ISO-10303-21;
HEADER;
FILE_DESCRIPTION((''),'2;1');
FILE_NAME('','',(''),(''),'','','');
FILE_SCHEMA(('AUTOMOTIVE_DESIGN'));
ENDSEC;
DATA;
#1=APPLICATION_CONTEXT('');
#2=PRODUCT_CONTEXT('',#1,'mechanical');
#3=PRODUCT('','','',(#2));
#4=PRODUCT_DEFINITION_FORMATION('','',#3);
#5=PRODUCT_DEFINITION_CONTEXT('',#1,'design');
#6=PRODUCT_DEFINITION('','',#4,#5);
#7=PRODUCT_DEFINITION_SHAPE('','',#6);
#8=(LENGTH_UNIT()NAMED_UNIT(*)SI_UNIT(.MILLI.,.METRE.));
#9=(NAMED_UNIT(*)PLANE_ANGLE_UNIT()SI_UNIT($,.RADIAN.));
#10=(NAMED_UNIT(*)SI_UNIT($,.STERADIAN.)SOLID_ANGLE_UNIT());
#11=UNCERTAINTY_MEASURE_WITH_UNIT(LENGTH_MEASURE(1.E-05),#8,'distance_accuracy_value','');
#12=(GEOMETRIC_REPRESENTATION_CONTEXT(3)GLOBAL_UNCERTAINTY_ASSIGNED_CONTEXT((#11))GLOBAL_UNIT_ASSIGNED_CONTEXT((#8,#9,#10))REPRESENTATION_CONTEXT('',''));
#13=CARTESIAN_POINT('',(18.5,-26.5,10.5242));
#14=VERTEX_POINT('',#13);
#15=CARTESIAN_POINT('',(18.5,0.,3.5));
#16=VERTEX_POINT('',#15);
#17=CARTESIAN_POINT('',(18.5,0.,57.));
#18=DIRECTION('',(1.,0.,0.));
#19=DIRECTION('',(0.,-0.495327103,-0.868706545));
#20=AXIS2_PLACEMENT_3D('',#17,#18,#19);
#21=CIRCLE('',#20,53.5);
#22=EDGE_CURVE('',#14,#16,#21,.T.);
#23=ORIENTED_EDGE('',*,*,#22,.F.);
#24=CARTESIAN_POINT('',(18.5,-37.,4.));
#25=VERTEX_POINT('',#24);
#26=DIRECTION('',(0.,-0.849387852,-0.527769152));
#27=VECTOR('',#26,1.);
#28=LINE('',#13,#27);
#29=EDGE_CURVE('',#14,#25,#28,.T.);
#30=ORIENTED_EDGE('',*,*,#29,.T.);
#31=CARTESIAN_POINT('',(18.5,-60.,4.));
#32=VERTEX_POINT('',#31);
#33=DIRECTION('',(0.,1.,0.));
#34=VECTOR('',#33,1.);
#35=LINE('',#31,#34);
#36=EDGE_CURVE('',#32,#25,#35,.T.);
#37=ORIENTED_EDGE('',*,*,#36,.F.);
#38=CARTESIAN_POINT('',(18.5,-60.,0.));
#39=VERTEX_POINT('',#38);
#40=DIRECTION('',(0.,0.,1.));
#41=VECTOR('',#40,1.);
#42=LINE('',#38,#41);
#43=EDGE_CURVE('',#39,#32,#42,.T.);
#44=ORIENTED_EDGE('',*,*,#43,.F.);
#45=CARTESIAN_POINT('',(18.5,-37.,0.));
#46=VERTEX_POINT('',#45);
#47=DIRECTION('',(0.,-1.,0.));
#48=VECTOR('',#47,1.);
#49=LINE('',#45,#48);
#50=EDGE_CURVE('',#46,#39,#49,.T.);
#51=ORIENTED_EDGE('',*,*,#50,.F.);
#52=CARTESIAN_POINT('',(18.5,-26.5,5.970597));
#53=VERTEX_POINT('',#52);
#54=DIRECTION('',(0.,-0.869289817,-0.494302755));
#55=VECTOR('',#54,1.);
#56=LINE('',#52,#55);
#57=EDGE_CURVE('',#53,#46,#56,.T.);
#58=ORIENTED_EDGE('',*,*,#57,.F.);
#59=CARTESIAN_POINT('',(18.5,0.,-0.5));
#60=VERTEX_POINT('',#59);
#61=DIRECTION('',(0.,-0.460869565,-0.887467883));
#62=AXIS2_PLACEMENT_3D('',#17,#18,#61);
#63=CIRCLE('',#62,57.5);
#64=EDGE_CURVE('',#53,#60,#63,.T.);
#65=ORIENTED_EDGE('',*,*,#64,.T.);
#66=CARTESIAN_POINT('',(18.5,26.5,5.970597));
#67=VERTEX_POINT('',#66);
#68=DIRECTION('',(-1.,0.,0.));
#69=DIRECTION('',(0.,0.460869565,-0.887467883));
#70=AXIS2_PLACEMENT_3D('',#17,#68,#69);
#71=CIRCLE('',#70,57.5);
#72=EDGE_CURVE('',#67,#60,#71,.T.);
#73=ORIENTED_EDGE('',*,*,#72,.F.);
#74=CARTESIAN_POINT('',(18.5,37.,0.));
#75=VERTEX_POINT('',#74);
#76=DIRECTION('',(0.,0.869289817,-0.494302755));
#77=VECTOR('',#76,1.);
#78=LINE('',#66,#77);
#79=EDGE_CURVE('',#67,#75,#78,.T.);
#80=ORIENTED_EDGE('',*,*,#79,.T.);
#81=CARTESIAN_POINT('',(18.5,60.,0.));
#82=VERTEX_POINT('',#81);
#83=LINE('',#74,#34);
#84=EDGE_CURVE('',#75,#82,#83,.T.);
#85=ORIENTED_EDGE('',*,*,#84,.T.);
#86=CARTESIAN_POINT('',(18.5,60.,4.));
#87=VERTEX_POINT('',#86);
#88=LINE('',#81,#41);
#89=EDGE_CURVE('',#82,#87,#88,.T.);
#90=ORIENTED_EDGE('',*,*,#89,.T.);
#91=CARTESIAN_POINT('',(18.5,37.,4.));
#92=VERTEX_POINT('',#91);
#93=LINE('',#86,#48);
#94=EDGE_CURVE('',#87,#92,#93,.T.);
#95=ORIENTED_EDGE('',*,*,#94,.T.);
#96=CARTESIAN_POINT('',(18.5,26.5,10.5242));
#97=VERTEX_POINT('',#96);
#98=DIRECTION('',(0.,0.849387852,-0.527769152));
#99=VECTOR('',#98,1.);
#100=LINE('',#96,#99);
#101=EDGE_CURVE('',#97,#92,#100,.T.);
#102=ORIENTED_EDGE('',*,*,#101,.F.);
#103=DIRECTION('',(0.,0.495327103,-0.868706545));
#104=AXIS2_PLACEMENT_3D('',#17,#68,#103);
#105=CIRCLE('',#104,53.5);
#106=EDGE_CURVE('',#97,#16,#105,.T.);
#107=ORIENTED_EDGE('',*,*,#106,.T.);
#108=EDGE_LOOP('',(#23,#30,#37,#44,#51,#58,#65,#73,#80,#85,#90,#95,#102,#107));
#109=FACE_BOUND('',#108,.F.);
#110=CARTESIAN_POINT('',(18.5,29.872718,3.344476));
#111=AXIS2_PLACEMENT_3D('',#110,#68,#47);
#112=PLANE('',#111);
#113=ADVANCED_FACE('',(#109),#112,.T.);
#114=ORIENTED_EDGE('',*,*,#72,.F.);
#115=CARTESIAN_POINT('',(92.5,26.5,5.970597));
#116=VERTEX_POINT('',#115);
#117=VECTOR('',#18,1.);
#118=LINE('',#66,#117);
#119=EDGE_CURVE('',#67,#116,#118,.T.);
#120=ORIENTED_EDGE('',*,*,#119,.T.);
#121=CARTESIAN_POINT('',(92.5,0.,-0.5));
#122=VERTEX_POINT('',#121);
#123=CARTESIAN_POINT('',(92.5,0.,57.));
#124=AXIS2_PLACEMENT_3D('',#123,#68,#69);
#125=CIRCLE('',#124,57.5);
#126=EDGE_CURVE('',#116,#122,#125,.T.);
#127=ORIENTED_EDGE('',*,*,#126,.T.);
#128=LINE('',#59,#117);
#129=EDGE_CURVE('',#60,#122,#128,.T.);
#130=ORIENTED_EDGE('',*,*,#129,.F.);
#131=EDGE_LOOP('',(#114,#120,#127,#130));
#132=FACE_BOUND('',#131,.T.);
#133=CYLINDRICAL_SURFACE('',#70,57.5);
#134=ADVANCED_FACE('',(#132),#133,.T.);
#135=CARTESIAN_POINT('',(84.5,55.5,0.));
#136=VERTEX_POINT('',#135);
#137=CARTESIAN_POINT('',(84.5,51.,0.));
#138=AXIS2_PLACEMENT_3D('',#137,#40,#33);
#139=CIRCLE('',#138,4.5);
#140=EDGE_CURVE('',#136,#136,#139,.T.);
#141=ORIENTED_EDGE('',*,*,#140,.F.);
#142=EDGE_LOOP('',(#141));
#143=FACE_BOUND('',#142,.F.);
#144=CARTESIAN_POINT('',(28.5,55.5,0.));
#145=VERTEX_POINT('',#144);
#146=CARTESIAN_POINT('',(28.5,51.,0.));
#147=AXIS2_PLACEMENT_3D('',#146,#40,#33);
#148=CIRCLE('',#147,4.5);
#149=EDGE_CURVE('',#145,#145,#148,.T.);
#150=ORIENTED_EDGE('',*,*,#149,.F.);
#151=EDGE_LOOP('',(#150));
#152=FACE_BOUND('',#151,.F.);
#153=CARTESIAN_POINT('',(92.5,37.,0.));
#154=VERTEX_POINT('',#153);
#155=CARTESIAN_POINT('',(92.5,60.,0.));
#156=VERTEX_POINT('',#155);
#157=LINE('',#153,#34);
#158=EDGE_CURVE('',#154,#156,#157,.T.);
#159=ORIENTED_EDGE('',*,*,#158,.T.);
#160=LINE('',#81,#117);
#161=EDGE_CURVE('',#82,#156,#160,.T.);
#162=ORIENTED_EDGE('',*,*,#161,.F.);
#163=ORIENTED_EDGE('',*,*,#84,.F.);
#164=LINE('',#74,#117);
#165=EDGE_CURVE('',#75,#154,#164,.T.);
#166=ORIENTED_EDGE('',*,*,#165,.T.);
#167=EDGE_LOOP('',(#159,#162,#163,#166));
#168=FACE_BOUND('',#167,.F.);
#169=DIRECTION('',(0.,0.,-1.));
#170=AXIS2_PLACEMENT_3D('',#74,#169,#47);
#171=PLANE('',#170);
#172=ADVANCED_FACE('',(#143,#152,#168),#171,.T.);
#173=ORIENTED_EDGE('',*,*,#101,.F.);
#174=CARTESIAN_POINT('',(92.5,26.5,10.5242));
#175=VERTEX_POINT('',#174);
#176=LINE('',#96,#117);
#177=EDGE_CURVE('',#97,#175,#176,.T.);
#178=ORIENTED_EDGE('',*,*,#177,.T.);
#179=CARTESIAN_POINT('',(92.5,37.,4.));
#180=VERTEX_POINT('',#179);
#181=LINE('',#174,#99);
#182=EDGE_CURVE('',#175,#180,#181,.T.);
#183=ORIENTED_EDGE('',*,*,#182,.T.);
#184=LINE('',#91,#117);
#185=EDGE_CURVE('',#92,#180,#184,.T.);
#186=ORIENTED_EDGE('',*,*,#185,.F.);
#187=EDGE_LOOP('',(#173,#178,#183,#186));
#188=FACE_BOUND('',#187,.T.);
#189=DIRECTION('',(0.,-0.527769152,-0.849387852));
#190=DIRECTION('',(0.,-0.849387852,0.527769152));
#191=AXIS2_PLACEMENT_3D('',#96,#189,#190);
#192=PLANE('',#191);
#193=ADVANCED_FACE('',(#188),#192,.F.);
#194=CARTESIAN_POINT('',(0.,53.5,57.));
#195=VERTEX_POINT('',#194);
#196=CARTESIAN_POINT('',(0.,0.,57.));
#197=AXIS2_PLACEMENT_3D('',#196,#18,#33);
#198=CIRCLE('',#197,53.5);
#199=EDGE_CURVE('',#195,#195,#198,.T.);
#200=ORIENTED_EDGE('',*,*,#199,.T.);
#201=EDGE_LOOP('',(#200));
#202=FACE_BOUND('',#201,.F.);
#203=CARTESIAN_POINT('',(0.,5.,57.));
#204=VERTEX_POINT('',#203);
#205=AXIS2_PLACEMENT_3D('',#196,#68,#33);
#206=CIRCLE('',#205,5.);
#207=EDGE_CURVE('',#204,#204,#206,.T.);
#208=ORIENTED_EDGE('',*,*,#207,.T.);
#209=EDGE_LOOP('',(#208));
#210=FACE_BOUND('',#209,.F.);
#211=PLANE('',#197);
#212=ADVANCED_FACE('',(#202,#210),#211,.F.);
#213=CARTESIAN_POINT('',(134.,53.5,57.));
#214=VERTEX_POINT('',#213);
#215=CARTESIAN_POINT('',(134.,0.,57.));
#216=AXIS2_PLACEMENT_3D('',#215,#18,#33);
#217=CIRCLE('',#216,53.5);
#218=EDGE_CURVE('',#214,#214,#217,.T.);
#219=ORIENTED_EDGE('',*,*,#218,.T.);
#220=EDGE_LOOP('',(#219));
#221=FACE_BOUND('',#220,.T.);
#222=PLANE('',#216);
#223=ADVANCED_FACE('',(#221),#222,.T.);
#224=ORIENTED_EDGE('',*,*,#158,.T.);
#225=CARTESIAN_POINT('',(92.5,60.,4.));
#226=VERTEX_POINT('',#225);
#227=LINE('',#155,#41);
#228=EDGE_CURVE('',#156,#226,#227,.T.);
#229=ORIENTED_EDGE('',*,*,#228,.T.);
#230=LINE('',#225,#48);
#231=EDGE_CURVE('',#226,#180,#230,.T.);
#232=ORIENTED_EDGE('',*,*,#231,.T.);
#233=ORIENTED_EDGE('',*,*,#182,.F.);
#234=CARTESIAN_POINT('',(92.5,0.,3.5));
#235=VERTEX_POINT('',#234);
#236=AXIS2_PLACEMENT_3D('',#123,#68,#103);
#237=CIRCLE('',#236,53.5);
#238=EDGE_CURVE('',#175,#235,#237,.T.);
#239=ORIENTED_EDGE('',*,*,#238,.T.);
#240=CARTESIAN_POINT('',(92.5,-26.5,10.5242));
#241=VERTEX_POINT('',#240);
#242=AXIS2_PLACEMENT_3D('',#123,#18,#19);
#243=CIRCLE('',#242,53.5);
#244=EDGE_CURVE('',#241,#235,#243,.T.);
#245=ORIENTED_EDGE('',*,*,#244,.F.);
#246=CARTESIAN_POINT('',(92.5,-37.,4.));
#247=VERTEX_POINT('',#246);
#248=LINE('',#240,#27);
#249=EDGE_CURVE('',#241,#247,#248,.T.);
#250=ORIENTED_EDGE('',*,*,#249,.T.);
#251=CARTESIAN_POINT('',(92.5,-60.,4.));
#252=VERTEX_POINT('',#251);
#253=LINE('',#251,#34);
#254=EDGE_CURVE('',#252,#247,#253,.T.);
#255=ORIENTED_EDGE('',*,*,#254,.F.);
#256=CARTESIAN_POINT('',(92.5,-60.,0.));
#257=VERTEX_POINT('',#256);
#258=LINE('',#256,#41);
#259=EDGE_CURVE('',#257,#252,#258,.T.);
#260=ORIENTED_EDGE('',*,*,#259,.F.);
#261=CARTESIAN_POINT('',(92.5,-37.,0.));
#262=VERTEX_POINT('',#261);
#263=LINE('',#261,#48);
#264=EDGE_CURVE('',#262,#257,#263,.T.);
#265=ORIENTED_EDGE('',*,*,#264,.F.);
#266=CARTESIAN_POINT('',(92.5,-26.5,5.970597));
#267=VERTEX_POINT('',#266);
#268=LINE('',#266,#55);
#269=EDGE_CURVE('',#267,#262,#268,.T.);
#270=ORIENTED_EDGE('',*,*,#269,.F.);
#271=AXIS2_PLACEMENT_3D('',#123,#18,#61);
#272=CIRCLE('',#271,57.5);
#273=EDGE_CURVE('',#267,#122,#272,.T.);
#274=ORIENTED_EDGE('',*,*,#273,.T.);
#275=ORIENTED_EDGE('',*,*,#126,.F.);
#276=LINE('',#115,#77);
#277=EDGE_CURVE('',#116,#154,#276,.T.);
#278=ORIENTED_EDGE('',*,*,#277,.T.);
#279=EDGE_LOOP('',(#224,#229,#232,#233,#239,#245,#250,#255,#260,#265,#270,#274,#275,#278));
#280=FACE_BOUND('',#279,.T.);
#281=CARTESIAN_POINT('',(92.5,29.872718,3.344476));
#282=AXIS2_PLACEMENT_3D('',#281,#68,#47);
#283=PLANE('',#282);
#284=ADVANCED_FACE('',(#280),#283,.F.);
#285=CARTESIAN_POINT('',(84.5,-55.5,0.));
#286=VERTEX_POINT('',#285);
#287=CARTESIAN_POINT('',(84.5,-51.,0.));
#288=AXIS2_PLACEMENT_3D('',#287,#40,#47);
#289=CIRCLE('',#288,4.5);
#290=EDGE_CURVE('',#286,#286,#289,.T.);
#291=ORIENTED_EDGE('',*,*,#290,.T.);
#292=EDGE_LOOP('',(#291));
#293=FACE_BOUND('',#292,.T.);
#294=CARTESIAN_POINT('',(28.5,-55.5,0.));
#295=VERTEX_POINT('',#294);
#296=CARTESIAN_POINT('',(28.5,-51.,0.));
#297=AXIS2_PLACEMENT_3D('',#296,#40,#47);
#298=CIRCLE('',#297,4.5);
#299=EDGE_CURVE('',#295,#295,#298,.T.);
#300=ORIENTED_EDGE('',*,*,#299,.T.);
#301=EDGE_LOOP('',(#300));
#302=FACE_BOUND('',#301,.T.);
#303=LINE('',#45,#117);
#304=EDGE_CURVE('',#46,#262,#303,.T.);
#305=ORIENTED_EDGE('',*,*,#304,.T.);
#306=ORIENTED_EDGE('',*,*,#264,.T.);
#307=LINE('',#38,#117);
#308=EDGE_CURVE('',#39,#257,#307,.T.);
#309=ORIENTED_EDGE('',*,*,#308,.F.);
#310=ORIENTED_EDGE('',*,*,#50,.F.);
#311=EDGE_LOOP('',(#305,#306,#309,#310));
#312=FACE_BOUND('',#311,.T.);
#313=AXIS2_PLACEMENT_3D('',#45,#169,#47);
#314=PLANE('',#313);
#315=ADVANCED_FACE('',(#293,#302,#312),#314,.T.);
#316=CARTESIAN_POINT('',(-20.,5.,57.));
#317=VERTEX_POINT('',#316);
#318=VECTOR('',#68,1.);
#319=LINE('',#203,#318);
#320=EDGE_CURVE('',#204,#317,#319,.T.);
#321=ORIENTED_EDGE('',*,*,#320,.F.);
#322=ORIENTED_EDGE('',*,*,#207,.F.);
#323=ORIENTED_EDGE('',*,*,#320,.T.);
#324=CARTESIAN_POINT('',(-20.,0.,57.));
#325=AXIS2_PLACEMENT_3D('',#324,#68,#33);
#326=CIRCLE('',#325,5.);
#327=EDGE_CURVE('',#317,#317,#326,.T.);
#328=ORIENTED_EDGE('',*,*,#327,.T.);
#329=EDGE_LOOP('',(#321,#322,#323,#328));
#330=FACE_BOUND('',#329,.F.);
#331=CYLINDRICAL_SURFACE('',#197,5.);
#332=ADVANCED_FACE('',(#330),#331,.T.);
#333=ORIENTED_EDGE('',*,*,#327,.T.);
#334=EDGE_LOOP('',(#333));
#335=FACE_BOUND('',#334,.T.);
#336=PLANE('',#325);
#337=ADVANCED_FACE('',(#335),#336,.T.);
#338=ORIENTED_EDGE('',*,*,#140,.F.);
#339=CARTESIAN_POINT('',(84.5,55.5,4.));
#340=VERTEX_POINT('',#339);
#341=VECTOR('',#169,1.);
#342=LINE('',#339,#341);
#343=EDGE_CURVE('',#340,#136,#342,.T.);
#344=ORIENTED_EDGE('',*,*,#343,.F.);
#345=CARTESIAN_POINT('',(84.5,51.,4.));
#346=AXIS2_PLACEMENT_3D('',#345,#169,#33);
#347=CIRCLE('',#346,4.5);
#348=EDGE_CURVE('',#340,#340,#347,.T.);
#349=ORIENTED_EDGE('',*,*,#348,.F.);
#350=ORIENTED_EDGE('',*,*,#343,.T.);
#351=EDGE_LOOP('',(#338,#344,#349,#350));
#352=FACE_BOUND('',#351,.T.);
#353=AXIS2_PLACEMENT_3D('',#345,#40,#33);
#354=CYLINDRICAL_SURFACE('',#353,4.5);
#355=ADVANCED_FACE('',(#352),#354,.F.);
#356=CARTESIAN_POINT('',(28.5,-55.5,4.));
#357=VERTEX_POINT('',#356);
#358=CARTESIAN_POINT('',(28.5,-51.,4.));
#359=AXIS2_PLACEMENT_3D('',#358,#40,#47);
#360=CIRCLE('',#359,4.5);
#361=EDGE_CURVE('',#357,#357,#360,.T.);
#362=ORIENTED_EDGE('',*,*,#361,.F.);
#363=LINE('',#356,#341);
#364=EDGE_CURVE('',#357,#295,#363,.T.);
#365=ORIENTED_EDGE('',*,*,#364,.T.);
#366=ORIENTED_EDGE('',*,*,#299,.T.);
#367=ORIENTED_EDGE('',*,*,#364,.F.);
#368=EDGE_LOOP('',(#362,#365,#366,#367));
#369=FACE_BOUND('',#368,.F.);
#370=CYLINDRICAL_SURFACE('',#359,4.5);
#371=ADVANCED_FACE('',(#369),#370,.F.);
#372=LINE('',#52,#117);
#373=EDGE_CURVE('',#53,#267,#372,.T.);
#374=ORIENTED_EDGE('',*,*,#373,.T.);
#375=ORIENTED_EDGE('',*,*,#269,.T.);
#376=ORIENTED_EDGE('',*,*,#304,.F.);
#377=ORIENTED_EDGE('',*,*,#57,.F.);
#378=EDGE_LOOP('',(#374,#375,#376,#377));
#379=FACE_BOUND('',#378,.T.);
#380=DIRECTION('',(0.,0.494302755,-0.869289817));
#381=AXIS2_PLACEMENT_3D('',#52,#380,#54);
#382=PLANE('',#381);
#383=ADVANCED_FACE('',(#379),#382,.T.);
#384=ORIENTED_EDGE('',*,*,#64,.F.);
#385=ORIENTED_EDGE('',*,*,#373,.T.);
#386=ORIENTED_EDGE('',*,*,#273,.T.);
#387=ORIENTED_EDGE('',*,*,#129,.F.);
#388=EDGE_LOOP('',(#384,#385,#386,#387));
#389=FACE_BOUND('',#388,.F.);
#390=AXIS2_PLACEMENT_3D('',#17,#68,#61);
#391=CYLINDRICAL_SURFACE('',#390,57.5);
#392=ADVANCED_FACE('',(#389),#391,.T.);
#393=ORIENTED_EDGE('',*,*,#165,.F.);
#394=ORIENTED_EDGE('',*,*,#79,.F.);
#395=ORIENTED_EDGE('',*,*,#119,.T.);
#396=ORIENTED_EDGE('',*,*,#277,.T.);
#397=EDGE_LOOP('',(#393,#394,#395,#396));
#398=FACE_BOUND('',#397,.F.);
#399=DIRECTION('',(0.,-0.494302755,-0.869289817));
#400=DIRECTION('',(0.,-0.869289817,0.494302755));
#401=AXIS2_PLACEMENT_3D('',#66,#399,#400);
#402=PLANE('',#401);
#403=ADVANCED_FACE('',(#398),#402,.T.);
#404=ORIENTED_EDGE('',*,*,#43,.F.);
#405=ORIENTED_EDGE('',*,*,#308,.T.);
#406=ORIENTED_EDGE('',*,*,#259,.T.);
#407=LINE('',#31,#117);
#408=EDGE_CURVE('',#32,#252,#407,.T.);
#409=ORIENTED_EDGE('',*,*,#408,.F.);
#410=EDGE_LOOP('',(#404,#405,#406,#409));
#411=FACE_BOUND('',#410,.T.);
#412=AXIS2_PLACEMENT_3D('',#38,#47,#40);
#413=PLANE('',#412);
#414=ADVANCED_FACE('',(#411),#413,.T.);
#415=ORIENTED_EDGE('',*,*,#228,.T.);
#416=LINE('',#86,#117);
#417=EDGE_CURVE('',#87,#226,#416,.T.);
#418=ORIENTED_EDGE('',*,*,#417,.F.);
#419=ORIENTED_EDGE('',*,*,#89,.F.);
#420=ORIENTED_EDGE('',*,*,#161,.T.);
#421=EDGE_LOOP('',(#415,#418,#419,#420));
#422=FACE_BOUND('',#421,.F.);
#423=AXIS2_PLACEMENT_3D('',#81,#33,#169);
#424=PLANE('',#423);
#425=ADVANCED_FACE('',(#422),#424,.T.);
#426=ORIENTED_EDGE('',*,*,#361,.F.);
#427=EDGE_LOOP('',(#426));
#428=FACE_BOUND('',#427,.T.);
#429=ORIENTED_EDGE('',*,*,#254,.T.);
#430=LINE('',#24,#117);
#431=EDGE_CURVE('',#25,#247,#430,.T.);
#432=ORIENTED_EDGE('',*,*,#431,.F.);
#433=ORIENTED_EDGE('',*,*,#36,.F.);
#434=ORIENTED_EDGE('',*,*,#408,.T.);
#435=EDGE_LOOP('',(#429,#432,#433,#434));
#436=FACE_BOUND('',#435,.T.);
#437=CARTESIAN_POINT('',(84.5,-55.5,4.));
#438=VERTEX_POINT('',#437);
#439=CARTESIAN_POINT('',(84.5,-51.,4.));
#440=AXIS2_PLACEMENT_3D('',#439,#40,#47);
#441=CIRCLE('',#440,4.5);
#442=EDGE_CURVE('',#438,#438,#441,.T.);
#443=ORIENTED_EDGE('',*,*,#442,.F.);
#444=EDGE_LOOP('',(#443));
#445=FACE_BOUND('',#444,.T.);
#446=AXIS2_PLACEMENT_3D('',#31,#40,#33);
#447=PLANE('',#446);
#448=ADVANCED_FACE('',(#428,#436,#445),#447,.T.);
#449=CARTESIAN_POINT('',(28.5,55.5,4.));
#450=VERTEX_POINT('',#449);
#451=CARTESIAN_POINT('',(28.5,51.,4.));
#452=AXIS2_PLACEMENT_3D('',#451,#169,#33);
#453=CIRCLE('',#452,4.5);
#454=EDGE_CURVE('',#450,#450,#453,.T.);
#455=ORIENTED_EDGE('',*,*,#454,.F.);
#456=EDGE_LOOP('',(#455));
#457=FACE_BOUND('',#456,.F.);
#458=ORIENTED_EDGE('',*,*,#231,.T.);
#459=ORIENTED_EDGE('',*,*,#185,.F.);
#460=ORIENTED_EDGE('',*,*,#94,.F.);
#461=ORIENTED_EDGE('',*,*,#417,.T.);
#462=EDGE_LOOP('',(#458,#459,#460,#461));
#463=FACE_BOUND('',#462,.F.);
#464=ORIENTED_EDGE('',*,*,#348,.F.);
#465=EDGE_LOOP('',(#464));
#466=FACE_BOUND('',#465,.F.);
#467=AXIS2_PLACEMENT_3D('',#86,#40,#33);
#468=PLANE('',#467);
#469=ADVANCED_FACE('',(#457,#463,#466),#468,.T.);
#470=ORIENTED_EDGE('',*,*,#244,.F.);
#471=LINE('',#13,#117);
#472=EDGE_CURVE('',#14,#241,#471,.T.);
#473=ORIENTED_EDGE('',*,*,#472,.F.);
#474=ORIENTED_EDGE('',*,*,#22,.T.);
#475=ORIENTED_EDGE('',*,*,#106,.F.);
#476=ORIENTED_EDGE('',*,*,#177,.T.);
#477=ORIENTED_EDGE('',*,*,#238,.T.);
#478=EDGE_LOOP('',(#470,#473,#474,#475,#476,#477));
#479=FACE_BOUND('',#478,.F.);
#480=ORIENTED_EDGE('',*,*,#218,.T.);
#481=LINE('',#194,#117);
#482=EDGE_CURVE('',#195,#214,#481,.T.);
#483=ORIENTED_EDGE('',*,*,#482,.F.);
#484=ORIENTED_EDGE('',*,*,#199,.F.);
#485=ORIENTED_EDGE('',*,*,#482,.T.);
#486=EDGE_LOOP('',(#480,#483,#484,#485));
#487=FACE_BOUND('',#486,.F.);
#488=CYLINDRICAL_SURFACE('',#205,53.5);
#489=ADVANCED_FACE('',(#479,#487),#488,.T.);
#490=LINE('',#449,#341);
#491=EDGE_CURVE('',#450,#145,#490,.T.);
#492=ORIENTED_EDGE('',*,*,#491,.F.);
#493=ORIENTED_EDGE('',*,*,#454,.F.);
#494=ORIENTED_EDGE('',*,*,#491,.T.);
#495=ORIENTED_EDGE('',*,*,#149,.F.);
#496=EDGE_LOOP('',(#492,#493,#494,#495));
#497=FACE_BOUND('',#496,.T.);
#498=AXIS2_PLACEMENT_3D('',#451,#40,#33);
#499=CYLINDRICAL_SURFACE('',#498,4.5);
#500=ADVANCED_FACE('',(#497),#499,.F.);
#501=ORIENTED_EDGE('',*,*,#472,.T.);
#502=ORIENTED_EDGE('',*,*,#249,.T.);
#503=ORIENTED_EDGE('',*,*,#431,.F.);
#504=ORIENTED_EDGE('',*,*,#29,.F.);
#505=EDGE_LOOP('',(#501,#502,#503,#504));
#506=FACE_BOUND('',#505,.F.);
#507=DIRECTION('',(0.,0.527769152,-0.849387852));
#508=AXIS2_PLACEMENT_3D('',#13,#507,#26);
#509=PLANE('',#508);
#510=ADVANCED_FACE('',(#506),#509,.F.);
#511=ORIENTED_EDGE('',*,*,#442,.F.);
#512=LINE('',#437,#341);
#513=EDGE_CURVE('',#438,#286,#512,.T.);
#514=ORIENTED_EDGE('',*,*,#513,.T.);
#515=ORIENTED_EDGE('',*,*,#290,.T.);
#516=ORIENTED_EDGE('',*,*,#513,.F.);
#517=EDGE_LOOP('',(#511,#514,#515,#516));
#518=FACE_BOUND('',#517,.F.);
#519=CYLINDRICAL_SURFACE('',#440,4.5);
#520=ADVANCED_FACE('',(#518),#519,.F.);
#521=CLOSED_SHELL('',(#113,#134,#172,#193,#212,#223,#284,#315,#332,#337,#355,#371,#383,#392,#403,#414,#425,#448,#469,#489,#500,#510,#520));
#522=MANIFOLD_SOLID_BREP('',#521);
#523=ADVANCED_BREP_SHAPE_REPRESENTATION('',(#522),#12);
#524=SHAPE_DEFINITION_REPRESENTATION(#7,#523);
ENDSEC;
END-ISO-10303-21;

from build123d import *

# Parameters (mm, degrees)
SKETCH_R     = 53.5
PAD_DEPTH    = 134
SKETCH004_R  = 5
PAD002_DEPTH = 20
PAD001_DEPTH = 74
SKETCH002_R  = 4.5
POCKET_DEPTH = 5


with BuildPart() as motorbody:
    # Sketch → Pad (new body)
    with BuildSketch(Plane.YZ):
        Circle(SKETCH_R)
    extrude(amount=PAD_DEPTH)

    # Sketch004 (on Face2 of Pad) → Pad002 (join)
    with BuildSketch(Plane(origin=(0, 0, 0), x_dir=(0, 1, 0), z_dir=(-1, 0, 0))):
        Circle(SKETCH004_R)
    extrude(amount=PAD002_DEPTH)


with BuildPart() as motor:
    # Sketch001 → Pad001 (new body)
    with BuildSketch(Plane.YZ):
        with BuildLine():
            ThreePointArc((-26.5, -46.4758001545), (-13.7075652786, -51.7141436566), (0, -53.5))
            Line((0, -53.5), (0, -57.5))
            ThreePointArc((-26.5, -51.0294032887), (-13.6392688752, -55.8589325404), (0, -57.5))
            Line((-26.5, -51.0294032887), (-37, -57))
            Line((-37, -57), (-60, -57))
            Line((-60, -57), (-60, -53))
            Line((-60, -53), (-37, -53))
            Line((-26.5, -46.4758001545), (-37, -53))
        make_face()
    pad001 = extrude(amount=PAD001_DEPTH)

    # Sketch002 (on Face4 of Pad001) → Pocket (cut)
    with BuildSketch(Plane(origin=(0, 0, -53), x_dir=(0, -1, 0), z_dir=(0, 0, 1))):
        with Locations((51, 66)):
            Circle(SKETCH002_R)
        with Locations((51, 10)):
            Circle(SKETCH002_R)
    pocket = extrude(amount=-POCKET_DEPTH, mode=Mode.SUBTRACT)

    # Mirrored: Pad001 across Sketch001 V_Axis
    add(pad001.mirror(Plane(origin=(0, 0, 0), x_dir=(1, 0, 0), z_dir=(0, 1, 0))))

    # Mirrored001: Pocket across Sketch002 V_Axis
    add(pocket.mirror(Plane(origin=(0, 0, -53), x_dir=(0, 0, 1), z_dir=(0, -1, 0))), mode=Mode.SUBTRACT)


with BuildPart() as motor_1:
    # Body001 placement: moved
    add(motor.part.moved(Location((18.5, 0, 0))))

    # Connect: union MotorBody
    add(motorbody.part)


with BuildPart() as motor_2:
    # Connect placement: moved
    add(motor_1.part.moved(Location((0, 0, 57))))


solid = motor_2.part
